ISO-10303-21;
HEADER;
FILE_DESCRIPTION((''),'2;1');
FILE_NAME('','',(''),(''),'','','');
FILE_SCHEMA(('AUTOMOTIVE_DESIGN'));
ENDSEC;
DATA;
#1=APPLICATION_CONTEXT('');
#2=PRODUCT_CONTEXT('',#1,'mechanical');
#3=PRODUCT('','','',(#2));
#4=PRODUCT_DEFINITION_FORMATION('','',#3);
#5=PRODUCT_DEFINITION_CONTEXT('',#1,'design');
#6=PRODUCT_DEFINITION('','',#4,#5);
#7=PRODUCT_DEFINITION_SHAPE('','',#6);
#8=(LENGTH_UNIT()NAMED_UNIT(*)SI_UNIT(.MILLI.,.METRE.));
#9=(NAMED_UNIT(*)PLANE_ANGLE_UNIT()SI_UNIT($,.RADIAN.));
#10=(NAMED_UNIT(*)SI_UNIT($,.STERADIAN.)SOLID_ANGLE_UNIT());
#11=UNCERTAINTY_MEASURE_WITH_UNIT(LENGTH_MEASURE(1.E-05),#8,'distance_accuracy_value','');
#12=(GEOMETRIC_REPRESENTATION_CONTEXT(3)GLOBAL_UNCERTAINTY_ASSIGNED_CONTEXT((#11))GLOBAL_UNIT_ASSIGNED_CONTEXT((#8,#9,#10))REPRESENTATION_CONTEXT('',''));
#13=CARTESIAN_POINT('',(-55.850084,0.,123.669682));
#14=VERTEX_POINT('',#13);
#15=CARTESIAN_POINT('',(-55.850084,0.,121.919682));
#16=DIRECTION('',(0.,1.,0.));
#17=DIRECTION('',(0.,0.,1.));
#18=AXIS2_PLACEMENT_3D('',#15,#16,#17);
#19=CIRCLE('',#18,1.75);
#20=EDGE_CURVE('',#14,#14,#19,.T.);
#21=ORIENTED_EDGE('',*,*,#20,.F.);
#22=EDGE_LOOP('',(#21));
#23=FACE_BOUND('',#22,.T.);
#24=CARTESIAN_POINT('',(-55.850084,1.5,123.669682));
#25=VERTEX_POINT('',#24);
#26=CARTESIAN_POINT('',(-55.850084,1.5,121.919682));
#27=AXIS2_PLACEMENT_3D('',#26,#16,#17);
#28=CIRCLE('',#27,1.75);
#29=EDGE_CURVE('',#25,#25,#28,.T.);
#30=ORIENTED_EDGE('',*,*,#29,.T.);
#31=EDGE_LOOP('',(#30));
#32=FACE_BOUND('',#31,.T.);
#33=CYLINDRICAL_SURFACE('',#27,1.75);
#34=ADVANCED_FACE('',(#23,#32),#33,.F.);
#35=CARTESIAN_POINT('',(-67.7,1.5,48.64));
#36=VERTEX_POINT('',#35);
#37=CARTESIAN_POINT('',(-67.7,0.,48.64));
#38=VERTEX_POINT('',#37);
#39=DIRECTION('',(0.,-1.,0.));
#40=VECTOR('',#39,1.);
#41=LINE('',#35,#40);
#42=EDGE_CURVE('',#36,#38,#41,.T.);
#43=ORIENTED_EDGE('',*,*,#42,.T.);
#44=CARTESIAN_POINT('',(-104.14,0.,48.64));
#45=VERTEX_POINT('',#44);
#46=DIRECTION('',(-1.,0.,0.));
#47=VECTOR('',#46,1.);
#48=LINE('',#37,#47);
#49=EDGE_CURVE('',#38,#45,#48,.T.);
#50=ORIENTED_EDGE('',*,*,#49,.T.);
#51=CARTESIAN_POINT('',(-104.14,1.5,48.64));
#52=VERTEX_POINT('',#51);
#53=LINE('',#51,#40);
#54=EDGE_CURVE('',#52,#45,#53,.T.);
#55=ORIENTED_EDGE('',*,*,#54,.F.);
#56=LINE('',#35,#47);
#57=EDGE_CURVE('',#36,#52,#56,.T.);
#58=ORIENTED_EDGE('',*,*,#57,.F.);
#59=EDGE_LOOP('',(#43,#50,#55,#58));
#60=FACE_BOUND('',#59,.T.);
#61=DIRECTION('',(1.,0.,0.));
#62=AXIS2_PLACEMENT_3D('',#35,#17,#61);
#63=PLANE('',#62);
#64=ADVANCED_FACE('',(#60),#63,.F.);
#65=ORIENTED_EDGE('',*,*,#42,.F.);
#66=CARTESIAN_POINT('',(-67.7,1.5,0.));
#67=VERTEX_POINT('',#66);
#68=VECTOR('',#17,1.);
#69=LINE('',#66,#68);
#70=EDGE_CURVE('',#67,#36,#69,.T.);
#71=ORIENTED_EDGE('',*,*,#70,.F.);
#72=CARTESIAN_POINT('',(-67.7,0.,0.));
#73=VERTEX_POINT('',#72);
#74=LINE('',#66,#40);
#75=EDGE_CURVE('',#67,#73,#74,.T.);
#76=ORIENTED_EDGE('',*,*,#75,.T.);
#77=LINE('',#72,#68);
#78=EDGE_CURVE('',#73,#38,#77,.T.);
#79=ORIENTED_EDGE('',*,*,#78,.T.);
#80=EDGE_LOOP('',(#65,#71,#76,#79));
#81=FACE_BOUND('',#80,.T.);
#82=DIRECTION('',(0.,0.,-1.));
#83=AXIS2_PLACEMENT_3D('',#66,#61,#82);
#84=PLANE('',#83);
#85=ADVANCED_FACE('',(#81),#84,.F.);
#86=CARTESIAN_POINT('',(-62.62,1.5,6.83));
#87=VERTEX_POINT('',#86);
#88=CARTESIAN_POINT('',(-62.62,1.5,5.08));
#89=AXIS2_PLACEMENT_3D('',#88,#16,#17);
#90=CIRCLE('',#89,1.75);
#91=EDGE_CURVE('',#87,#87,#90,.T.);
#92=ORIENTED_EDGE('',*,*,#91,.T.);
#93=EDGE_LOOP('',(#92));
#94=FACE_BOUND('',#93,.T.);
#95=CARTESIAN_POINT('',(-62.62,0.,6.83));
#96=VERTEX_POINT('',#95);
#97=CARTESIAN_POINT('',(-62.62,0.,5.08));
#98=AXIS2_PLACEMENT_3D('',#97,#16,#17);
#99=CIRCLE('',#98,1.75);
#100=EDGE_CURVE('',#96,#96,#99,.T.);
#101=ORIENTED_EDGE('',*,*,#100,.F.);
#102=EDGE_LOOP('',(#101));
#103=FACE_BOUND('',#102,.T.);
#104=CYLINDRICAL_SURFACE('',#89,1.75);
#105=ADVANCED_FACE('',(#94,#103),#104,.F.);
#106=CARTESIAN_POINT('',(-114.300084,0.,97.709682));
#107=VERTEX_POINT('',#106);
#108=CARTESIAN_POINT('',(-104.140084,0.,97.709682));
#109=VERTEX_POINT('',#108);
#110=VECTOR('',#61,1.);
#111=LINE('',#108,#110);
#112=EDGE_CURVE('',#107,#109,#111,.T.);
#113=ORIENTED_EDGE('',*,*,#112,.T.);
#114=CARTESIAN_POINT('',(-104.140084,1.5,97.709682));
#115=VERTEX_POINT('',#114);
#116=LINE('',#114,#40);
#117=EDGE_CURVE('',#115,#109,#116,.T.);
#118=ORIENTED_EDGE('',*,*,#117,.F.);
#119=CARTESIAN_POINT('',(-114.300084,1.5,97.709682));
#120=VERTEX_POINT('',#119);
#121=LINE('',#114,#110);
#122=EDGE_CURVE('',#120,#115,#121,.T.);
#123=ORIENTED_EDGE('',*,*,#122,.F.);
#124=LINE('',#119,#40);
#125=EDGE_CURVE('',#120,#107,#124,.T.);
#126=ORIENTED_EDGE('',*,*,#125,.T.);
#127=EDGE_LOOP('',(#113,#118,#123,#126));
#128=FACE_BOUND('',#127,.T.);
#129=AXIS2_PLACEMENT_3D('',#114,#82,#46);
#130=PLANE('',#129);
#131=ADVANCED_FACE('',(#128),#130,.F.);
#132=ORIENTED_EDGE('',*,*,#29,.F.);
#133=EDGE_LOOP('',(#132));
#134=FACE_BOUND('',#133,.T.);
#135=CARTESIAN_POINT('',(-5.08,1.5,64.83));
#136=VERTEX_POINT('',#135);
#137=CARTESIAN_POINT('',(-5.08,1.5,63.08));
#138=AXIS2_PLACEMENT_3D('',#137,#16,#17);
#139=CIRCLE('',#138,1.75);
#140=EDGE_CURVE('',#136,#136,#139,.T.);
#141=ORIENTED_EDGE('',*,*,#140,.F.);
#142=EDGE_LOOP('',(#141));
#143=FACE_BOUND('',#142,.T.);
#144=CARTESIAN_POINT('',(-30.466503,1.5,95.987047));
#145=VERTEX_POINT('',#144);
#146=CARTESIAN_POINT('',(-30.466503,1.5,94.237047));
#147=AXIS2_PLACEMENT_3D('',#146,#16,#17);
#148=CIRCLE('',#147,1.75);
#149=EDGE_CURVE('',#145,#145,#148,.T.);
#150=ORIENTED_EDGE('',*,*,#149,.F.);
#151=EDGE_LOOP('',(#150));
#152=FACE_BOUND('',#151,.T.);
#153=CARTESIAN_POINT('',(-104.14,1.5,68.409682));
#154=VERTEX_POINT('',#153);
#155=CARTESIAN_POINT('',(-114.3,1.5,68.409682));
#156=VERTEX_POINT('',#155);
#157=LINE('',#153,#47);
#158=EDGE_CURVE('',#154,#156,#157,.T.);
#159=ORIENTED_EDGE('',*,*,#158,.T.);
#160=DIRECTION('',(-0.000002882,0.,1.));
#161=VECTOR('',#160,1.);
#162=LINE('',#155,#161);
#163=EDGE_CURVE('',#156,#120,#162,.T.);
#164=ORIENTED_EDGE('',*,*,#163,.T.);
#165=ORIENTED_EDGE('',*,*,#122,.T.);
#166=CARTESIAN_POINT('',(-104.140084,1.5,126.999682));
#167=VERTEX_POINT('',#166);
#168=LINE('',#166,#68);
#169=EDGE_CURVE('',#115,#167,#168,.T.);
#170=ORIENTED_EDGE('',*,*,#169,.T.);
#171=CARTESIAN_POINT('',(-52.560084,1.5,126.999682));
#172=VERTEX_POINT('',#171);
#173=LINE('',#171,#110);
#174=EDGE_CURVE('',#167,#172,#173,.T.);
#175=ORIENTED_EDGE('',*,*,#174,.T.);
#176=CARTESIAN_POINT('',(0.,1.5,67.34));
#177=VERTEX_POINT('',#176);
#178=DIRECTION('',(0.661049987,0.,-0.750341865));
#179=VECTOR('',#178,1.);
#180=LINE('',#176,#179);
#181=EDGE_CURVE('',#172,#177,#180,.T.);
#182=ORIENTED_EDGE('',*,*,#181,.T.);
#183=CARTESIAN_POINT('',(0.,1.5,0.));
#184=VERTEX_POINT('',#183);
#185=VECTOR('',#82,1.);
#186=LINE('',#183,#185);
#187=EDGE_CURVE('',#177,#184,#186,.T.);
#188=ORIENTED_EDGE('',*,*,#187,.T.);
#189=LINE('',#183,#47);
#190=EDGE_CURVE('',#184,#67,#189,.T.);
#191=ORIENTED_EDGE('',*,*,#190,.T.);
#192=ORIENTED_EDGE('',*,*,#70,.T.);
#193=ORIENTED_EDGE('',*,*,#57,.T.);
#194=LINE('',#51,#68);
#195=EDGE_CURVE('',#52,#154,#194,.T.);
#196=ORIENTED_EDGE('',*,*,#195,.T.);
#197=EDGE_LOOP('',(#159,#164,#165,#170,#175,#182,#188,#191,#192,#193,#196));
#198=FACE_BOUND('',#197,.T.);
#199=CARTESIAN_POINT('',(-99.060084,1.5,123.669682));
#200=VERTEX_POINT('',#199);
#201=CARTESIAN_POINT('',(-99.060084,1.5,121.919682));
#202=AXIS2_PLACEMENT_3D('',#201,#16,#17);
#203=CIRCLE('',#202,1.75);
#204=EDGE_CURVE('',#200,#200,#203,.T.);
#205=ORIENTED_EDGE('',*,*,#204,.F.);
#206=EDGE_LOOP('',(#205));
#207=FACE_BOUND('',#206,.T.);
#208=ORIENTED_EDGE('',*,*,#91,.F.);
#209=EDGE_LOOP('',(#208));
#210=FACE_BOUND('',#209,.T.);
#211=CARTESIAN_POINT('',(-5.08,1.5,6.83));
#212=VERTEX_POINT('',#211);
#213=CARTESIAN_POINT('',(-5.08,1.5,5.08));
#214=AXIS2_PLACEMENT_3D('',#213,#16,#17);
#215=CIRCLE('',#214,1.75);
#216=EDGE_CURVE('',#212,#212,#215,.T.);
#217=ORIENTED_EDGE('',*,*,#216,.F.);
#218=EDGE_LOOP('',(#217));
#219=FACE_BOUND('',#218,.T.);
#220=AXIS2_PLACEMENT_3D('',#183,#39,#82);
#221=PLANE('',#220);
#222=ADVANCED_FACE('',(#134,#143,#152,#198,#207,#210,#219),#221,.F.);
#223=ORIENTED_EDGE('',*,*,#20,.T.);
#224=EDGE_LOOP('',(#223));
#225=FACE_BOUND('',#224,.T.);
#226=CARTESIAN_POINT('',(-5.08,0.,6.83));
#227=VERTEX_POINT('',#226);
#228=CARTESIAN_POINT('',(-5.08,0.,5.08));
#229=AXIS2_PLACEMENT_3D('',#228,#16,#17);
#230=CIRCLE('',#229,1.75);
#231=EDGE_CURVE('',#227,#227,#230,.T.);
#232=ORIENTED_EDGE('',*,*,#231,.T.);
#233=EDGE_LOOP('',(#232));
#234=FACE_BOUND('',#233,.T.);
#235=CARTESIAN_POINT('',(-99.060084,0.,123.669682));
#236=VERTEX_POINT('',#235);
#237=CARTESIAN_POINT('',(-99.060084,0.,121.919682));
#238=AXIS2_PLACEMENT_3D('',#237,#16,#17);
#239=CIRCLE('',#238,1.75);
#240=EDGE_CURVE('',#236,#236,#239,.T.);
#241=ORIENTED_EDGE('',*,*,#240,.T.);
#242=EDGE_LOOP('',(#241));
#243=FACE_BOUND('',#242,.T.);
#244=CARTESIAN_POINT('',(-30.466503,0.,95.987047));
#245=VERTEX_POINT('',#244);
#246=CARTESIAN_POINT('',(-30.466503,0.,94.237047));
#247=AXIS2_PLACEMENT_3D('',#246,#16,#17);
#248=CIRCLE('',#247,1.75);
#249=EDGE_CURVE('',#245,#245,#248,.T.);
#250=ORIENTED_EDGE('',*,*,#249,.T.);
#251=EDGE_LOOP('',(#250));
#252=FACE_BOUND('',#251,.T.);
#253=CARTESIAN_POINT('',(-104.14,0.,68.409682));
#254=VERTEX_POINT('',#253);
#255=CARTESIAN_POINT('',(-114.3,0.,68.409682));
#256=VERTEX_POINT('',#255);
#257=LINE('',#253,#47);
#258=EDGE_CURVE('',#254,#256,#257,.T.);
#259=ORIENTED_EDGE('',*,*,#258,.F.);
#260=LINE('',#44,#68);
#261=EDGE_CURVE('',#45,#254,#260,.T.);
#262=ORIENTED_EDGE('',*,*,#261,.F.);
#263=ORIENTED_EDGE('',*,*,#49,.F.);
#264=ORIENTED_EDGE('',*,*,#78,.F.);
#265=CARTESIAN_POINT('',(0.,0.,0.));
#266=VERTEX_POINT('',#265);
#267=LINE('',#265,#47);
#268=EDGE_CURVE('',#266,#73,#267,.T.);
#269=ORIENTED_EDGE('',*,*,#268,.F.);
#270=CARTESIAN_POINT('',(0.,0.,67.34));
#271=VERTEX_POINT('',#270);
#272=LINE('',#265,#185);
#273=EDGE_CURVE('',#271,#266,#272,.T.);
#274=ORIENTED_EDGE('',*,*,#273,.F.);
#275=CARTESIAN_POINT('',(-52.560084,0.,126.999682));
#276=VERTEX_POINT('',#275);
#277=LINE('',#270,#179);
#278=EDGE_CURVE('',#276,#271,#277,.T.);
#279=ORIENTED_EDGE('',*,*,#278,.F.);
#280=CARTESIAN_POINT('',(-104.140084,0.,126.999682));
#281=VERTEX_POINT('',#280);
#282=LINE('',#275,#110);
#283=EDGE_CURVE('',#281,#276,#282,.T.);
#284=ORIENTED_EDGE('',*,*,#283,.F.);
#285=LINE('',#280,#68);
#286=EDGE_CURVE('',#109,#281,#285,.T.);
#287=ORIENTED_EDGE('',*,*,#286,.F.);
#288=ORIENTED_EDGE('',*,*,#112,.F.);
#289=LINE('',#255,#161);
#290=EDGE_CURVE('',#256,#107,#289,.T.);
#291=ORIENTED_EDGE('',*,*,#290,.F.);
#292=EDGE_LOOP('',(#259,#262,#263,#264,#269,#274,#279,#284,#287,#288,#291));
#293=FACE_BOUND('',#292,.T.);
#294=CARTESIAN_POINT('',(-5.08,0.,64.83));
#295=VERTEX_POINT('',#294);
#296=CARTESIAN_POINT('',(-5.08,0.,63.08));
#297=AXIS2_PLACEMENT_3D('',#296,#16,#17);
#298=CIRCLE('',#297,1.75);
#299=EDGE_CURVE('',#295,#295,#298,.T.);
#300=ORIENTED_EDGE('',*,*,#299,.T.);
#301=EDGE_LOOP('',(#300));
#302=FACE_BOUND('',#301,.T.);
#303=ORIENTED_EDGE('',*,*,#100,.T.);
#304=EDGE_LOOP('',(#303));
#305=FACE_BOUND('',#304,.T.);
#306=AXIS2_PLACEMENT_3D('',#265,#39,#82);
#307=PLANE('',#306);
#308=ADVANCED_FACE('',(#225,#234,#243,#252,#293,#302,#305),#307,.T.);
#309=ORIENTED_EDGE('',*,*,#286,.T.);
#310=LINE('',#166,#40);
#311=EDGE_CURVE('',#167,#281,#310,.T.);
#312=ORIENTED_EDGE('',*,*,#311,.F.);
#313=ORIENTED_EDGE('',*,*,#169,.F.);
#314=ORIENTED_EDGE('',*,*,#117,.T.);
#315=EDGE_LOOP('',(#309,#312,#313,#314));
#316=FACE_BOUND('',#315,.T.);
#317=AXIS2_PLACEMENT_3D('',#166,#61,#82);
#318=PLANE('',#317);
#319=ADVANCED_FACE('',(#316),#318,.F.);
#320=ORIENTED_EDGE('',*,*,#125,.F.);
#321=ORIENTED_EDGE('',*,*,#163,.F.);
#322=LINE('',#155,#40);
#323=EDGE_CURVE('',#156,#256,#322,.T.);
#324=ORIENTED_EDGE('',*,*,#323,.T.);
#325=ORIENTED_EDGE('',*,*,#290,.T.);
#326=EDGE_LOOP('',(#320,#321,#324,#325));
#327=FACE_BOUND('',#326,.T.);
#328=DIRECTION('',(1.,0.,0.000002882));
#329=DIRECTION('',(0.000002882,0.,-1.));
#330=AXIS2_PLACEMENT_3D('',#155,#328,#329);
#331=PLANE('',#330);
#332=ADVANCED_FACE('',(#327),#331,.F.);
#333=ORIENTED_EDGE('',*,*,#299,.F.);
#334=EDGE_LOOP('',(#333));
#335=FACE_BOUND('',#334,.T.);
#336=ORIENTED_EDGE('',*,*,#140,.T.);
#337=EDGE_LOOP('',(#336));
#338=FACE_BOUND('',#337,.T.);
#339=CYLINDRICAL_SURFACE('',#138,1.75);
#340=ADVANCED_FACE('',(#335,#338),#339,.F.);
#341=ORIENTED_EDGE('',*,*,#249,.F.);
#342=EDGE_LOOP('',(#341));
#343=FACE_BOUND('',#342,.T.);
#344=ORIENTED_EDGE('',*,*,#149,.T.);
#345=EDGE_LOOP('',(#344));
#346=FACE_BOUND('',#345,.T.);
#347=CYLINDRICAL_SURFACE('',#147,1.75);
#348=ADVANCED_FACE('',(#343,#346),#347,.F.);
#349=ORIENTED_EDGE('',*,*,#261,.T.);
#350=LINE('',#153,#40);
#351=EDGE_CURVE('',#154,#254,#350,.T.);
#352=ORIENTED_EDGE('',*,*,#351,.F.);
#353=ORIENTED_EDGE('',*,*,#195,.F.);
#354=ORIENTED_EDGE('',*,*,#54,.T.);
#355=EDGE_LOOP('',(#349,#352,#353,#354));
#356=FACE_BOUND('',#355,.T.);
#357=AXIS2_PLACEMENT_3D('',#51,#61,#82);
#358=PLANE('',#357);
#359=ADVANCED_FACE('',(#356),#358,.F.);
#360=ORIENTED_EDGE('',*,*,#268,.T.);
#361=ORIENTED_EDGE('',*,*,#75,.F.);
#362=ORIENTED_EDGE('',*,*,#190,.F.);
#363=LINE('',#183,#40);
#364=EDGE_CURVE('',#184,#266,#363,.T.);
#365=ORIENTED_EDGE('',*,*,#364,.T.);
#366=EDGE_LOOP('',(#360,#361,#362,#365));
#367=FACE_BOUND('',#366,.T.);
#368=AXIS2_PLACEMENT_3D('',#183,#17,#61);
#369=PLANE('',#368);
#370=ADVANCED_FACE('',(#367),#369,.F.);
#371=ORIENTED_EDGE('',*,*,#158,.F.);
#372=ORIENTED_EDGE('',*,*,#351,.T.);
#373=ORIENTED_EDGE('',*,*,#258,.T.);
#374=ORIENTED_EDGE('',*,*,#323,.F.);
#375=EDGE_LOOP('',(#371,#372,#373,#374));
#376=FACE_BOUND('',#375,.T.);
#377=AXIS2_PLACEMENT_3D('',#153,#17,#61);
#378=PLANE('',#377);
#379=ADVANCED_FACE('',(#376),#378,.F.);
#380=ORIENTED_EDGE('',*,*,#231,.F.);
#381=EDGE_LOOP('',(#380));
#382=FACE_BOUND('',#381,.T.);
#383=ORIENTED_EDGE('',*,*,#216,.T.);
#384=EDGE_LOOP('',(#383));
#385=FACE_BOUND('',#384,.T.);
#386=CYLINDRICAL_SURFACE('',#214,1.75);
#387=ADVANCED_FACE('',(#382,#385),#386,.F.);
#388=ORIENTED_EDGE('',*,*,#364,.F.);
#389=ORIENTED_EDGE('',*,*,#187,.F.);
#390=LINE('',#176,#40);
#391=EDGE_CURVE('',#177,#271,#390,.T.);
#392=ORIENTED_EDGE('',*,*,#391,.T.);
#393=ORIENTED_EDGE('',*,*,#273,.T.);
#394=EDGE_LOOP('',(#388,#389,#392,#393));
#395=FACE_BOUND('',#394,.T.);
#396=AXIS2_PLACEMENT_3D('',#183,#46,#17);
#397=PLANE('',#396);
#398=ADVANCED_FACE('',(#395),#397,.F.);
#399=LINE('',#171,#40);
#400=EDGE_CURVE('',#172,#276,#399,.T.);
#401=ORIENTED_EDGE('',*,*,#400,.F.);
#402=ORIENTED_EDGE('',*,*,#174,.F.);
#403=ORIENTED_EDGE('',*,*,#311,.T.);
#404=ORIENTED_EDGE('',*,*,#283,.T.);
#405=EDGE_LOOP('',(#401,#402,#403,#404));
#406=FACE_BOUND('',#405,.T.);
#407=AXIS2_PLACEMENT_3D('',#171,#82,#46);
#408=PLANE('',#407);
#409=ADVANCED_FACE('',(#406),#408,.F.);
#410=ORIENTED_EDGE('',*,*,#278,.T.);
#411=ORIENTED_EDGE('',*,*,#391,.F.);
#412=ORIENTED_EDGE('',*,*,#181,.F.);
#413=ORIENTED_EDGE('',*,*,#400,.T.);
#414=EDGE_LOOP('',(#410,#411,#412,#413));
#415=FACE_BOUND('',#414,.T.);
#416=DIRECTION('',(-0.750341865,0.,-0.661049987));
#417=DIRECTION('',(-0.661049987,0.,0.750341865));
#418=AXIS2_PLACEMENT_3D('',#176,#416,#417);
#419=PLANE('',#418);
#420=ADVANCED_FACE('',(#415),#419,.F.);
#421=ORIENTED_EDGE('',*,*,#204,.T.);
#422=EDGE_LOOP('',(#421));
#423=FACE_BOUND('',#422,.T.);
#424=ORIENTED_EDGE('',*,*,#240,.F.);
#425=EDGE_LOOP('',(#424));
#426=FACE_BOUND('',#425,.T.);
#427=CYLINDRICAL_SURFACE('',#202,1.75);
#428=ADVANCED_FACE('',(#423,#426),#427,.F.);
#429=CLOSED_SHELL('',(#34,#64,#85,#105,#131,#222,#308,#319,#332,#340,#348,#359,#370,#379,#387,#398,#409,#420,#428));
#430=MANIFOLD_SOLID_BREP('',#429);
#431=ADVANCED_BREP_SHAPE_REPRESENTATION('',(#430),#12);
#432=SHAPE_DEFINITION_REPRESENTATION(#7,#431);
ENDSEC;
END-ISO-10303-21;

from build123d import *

# Parameters (mm, degrees)
BOSS_EXTRUDE1_DEPTH   = 1.5
F_4_0MM_DOWEL_HOLE1_D = 3.5


with BuildPart() as part:
    # Sketch1 → Boss-Extrude1 (new body)
    with BuildSketch(Plane(origin=(0, 0, 0), x_dir=(1, 0, 0), z_dir=(0, 1, 0))):
        Polygon((0, 0), (-67.7, 0), (-67.7, -48.64), (-104.14, -48.64), (-104.14, -68.409681711), (-114.3, -68.409681711), (-114.300084457, -97.709681711), (-104.140084457, -97.709681711), (-104.140084457, -126.999681711), (-52.560084457, -126.999681711), (0, -67.34), align=None)
    extrude(amount=BOSS_EXTRUDE1_DEPTH)

    # Ø4.0mm Dowel Hole1 (through all)
    with Locations(Plane(origin=(-99.060084457, 1.5, 121.919681711), x_dir=(0, 0, 1), z_dir=(0, 1, 0))):
        with Locations((0, 0), (0, 43.21), (-58.839681711, 93.980084457), (-27.682634748, 68.593581655), (-116.839681711, 93.980084457), (-116.839681711, 36.440084457)):
            Hole(F_4_0MM_DOWEL_HOLE1_D / 2)


solid = part.part
